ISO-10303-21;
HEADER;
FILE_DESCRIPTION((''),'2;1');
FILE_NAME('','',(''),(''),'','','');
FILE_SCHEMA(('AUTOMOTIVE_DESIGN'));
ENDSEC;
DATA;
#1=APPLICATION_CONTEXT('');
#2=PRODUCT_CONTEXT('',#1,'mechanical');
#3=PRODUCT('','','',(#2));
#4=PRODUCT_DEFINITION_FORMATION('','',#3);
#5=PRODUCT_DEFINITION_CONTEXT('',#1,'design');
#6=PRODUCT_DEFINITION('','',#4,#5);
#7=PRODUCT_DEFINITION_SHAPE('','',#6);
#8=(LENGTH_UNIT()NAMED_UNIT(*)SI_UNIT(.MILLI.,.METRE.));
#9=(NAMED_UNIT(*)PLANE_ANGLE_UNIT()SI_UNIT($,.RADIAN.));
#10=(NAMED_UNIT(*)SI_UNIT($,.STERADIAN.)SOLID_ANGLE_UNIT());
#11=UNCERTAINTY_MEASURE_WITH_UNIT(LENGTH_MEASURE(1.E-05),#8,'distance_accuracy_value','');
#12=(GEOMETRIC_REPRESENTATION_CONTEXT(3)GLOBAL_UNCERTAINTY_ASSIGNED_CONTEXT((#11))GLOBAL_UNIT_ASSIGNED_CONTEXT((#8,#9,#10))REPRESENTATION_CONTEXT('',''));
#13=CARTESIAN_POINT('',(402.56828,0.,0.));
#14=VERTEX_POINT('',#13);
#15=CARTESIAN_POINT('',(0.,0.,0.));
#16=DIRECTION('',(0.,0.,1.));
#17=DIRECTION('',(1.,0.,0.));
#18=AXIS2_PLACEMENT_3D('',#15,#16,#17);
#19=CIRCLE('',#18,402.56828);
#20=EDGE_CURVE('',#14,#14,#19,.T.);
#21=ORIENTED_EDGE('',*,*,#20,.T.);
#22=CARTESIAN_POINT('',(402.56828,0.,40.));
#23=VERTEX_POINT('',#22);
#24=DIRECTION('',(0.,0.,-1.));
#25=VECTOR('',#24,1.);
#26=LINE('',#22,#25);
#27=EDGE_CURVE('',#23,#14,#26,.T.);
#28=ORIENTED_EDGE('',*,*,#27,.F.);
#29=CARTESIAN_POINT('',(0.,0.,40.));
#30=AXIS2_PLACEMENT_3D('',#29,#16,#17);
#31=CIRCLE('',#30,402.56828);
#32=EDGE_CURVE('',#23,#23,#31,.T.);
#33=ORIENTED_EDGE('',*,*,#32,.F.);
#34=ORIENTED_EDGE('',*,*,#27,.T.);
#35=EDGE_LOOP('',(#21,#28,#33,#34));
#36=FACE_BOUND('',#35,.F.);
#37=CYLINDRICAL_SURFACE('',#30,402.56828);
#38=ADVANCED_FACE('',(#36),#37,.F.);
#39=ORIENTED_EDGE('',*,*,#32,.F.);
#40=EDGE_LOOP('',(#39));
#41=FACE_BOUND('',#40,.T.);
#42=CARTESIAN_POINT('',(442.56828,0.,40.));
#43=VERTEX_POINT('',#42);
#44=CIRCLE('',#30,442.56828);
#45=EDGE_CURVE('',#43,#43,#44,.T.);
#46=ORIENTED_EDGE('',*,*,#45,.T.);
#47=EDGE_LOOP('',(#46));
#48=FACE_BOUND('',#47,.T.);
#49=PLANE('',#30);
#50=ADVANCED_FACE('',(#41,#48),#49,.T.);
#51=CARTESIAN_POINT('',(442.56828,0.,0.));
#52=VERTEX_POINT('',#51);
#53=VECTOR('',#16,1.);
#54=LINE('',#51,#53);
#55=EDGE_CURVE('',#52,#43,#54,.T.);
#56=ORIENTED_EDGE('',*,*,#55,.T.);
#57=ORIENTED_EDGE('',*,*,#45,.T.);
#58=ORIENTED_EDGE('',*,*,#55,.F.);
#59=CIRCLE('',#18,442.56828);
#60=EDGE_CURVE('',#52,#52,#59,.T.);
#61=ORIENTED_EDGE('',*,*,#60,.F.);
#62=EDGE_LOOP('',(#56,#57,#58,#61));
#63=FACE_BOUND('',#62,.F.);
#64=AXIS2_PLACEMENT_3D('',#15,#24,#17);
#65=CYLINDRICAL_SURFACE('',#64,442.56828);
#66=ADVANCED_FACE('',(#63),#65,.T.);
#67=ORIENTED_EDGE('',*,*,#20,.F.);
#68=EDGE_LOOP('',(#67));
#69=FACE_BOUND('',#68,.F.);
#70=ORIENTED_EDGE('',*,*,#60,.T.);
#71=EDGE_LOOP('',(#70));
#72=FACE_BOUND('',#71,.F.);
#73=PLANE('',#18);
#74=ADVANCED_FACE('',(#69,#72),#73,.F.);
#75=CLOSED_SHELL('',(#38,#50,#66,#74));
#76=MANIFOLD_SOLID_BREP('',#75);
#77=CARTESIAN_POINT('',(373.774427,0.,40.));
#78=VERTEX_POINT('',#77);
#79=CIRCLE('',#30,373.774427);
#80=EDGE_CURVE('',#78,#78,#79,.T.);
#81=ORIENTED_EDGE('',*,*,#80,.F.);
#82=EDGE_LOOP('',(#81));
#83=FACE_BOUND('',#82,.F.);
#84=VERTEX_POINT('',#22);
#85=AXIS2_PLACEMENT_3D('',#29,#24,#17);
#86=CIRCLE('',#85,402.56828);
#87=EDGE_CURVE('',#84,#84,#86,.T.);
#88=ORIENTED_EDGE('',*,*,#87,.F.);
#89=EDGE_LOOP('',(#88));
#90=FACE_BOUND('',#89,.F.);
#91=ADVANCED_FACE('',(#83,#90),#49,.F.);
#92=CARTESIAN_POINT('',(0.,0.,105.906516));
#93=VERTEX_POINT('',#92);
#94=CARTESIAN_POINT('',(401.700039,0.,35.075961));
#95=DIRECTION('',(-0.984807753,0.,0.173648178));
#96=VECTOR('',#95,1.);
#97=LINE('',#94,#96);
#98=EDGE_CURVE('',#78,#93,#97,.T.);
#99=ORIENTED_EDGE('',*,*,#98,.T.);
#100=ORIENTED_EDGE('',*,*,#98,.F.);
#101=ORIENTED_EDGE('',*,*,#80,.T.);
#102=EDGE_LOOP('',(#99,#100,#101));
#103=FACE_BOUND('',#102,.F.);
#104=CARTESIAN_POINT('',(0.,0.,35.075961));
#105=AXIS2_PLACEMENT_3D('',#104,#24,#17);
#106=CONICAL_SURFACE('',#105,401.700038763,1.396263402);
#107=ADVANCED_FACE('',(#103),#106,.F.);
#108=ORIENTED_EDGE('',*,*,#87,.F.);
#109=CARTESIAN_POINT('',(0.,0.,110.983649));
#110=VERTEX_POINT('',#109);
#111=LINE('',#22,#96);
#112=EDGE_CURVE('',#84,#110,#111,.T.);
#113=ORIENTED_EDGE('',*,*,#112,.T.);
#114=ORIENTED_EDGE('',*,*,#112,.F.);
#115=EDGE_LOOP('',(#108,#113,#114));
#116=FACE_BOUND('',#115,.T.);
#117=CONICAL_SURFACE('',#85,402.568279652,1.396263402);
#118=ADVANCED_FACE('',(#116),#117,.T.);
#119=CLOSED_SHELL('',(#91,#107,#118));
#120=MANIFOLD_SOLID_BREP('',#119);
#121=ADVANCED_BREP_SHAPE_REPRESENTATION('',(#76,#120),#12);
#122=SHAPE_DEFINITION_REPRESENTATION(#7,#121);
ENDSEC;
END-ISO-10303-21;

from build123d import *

# Parameters (mm, degrees)
F0_R     = 442.5682796517
F1_DEPTH = 40
F2_R     = 402.5682796517
F3_DEPTH = 93.98
F4_R     = 402.5682796517
F5_DEPTH = 100
F5_TAPER = 80
F6_T     = -5


with BuildPart() as f1:
    # F0 (on Top) → F1 (new body)
    with BuildSketch(Plane.XY):
        Circle(F0_R)
    extrude(amount=F1_DEPTH)

    # F2 (on face) → F3 (cut)
    with BuildSketch(Plane.XY.offset(40)):
        Circle(F2_R)
    extrude(amount=-F3_DEPTH, mode=Mode.SUBTRACT)


with BuildPart() as f5:
    # F4 (on face) → F5 (new body)
    with BuildSketch(Plane.XY.offset(40)):
        Circle(F4_R)
    extrude(amount=F5_DEPTH, taper=F5_TAPER)

    # F6
    f6_openings = [f5.faces().sort_by_distance(p)[0] for p in [
        (0, 0, 40),
    ]]
    offset(amount=F6_T, openings=f6_openings)


solid = Compound([f1.part, f5.part])
